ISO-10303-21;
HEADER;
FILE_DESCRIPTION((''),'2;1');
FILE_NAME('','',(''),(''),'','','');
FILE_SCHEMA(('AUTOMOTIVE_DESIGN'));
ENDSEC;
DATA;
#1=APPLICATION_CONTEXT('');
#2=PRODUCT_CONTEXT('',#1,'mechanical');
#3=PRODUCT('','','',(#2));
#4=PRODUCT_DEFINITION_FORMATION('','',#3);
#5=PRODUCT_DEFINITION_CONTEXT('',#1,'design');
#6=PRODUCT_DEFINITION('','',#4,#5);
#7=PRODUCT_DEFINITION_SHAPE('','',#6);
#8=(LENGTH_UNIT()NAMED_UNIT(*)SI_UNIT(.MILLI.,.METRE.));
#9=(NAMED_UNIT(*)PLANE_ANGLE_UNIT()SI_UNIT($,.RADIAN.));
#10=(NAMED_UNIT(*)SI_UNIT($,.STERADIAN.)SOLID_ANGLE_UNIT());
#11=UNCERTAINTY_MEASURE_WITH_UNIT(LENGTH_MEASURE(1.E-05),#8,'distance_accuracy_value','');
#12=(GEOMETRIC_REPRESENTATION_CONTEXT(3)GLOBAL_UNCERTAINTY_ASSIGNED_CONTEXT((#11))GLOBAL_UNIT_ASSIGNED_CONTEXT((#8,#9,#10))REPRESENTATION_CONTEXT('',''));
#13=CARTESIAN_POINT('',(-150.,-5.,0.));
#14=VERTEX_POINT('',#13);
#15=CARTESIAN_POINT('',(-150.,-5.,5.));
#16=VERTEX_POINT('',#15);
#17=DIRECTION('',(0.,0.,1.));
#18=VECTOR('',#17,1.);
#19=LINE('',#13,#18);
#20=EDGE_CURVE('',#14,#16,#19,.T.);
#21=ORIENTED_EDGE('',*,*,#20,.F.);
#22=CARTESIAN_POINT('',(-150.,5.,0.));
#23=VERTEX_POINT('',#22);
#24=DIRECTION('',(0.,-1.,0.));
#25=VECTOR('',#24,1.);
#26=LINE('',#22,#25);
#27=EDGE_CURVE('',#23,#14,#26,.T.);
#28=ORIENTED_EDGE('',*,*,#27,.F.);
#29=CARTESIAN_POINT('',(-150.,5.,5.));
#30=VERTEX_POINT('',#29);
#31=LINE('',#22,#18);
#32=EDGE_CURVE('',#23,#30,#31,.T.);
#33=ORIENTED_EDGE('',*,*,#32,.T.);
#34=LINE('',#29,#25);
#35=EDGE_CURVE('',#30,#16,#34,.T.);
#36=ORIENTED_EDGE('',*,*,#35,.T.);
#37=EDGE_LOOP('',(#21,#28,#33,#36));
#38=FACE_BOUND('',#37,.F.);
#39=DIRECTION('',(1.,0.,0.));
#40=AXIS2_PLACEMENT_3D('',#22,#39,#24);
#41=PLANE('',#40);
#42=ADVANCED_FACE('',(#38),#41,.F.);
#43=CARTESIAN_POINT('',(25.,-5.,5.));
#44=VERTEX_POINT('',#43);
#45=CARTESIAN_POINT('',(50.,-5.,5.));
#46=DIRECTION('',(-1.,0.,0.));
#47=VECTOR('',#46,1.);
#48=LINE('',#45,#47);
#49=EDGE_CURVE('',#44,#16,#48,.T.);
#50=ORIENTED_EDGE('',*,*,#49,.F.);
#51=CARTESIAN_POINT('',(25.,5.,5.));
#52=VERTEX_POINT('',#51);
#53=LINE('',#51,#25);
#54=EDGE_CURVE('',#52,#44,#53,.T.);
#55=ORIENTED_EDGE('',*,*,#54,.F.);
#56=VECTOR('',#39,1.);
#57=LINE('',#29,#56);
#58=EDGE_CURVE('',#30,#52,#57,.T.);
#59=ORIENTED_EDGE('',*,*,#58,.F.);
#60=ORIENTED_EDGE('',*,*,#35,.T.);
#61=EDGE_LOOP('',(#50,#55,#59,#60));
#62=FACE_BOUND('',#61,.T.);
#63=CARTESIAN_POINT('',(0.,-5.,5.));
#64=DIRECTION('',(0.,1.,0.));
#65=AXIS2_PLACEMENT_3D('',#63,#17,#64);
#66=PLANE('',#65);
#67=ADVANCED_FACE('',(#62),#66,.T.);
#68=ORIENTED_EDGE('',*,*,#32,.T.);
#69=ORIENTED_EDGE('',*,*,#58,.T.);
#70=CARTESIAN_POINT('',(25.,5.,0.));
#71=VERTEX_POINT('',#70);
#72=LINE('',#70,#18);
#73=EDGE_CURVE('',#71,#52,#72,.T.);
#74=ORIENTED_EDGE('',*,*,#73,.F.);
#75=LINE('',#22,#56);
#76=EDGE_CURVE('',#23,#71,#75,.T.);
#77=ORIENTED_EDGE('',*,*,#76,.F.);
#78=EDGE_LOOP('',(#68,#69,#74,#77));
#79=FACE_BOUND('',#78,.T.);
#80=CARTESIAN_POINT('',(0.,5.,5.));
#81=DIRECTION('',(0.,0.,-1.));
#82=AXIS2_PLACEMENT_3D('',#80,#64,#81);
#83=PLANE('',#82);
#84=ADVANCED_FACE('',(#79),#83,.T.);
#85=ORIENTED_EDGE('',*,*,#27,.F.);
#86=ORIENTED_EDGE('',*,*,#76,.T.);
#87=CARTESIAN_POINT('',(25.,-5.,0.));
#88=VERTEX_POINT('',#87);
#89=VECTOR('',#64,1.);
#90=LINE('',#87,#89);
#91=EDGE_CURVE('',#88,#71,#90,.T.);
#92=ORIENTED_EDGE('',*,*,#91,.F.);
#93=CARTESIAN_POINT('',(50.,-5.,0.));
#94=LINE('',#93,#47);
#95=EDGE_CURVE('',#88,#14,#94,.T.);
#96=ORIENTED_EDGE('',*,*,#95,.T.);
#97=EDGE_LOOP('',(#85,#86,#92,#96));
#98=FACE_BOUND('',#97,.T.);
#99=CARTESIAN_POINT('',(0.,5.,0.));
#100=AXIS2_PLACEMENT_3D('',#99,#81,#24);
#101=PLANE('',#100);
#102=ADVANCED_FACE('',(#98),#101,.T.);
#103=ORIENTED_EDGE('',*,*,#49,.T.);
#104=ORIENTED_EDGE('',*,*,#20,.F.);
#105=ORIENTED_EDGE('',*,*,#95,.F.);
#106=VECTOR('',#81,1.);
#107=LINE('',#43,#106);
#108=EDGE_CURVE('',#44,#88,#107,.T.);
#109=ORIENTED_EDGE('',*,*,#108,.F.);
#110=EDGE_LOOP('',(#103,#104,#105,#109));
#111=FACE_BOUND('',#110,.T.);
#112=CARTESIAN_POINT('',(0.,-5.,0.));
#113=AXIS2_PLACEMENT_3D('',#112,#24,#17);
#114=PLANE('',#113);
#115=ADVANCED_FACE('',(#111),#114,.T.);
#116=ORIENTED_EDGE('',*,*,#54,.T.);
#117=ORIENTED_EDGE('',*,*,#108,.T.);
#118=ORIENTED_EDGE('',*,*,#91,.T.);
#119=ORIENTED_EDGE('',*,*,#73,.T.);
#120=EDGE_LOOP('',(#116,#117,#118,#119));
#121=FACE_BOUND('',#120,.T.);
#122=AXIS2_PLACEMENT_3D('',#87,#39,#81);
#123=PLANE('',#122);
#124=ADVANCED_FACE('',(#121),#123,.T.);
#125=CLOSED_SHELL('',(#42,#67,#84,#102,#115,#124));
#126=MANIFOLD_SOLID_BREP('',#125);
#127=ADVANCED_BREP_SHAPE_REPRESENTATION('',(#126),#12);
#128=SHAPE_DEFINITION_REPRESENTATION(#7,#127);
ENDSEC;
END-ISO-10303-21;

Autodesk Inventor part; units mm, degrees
ref_plane "YZ Plane" through (0, 0, 0) normal (1, 0, 0) x (0, 1, 0)
ref_plane "XZ Plane" through (0, 0, 0) normal (0, 1, 0) x (-1, 0, 0)
ref_plane "XY Plane" through (0, 0, 0) normal (0, 0, 1) x (1, 0, 0)
sketch "Sketch1" plane through (0, 0, 0) normal (0, 0, 1) x (1, 0, 0)
  line L0 (150, 5) -> (-150, 5)
  line L1 (-150, 5) -> (-150, -5)
  line L2 (-150, -5) -> (150, -5)
  line L3 (150, -5) -> (150, 5)
  point P0 (0, 0)
extrude "Extrusion1" add sketch "Sketch1" along normal blind 5
sketch "Sketch2" plane through (150, -5, 0) normal (1, 0, 0) x (0, 0, -1)
  line L0 (0, 0) -> (0, 10) projected
  line L1 (0, 10) -> (-5, 10) projected
  line L2 (-5, 0) -> (-5, 10) projected
  line L3 (0, 0) -> (-5, 0) projected
  point P0 (0, 5)
extrude "Extrusion2" cut sketch "Sketch2" against normal blind 150
sketch "Sketch3" plane through (0, -5, 0) normal (1, 0, 0) x (0, 0, -1)
  line L0 (0, 10) -> (0, 0) projected
  line L1 (-5, 10) -> (0, 10) projected
  line L2 (-5, 0) -> (-5, 10) projected
  line L3 (0, 0) -> (-5, 0) projected
  point P0 (0, 5)
extrude "Extrusion3" add sketch "Sketch3" along normal blind 50
sketch "Sketch4" plane through (50, -5, 0) normal (1, 0, 0) x (0, 0, -1)
  line L0 (-5, 10) -> (-5, 0) projected
  line L1 (-5, 0) -> (0, 0) projected
  line L2 (0, 0) -> (0, 10) projected
  line L3 (0, 10) -> (-5, 10) projected
  point P0 (0, 5)
extrude "Extrusion4" cut sketch "Sketch4" against normal blind 25
properties part number "tail vertical rod"
